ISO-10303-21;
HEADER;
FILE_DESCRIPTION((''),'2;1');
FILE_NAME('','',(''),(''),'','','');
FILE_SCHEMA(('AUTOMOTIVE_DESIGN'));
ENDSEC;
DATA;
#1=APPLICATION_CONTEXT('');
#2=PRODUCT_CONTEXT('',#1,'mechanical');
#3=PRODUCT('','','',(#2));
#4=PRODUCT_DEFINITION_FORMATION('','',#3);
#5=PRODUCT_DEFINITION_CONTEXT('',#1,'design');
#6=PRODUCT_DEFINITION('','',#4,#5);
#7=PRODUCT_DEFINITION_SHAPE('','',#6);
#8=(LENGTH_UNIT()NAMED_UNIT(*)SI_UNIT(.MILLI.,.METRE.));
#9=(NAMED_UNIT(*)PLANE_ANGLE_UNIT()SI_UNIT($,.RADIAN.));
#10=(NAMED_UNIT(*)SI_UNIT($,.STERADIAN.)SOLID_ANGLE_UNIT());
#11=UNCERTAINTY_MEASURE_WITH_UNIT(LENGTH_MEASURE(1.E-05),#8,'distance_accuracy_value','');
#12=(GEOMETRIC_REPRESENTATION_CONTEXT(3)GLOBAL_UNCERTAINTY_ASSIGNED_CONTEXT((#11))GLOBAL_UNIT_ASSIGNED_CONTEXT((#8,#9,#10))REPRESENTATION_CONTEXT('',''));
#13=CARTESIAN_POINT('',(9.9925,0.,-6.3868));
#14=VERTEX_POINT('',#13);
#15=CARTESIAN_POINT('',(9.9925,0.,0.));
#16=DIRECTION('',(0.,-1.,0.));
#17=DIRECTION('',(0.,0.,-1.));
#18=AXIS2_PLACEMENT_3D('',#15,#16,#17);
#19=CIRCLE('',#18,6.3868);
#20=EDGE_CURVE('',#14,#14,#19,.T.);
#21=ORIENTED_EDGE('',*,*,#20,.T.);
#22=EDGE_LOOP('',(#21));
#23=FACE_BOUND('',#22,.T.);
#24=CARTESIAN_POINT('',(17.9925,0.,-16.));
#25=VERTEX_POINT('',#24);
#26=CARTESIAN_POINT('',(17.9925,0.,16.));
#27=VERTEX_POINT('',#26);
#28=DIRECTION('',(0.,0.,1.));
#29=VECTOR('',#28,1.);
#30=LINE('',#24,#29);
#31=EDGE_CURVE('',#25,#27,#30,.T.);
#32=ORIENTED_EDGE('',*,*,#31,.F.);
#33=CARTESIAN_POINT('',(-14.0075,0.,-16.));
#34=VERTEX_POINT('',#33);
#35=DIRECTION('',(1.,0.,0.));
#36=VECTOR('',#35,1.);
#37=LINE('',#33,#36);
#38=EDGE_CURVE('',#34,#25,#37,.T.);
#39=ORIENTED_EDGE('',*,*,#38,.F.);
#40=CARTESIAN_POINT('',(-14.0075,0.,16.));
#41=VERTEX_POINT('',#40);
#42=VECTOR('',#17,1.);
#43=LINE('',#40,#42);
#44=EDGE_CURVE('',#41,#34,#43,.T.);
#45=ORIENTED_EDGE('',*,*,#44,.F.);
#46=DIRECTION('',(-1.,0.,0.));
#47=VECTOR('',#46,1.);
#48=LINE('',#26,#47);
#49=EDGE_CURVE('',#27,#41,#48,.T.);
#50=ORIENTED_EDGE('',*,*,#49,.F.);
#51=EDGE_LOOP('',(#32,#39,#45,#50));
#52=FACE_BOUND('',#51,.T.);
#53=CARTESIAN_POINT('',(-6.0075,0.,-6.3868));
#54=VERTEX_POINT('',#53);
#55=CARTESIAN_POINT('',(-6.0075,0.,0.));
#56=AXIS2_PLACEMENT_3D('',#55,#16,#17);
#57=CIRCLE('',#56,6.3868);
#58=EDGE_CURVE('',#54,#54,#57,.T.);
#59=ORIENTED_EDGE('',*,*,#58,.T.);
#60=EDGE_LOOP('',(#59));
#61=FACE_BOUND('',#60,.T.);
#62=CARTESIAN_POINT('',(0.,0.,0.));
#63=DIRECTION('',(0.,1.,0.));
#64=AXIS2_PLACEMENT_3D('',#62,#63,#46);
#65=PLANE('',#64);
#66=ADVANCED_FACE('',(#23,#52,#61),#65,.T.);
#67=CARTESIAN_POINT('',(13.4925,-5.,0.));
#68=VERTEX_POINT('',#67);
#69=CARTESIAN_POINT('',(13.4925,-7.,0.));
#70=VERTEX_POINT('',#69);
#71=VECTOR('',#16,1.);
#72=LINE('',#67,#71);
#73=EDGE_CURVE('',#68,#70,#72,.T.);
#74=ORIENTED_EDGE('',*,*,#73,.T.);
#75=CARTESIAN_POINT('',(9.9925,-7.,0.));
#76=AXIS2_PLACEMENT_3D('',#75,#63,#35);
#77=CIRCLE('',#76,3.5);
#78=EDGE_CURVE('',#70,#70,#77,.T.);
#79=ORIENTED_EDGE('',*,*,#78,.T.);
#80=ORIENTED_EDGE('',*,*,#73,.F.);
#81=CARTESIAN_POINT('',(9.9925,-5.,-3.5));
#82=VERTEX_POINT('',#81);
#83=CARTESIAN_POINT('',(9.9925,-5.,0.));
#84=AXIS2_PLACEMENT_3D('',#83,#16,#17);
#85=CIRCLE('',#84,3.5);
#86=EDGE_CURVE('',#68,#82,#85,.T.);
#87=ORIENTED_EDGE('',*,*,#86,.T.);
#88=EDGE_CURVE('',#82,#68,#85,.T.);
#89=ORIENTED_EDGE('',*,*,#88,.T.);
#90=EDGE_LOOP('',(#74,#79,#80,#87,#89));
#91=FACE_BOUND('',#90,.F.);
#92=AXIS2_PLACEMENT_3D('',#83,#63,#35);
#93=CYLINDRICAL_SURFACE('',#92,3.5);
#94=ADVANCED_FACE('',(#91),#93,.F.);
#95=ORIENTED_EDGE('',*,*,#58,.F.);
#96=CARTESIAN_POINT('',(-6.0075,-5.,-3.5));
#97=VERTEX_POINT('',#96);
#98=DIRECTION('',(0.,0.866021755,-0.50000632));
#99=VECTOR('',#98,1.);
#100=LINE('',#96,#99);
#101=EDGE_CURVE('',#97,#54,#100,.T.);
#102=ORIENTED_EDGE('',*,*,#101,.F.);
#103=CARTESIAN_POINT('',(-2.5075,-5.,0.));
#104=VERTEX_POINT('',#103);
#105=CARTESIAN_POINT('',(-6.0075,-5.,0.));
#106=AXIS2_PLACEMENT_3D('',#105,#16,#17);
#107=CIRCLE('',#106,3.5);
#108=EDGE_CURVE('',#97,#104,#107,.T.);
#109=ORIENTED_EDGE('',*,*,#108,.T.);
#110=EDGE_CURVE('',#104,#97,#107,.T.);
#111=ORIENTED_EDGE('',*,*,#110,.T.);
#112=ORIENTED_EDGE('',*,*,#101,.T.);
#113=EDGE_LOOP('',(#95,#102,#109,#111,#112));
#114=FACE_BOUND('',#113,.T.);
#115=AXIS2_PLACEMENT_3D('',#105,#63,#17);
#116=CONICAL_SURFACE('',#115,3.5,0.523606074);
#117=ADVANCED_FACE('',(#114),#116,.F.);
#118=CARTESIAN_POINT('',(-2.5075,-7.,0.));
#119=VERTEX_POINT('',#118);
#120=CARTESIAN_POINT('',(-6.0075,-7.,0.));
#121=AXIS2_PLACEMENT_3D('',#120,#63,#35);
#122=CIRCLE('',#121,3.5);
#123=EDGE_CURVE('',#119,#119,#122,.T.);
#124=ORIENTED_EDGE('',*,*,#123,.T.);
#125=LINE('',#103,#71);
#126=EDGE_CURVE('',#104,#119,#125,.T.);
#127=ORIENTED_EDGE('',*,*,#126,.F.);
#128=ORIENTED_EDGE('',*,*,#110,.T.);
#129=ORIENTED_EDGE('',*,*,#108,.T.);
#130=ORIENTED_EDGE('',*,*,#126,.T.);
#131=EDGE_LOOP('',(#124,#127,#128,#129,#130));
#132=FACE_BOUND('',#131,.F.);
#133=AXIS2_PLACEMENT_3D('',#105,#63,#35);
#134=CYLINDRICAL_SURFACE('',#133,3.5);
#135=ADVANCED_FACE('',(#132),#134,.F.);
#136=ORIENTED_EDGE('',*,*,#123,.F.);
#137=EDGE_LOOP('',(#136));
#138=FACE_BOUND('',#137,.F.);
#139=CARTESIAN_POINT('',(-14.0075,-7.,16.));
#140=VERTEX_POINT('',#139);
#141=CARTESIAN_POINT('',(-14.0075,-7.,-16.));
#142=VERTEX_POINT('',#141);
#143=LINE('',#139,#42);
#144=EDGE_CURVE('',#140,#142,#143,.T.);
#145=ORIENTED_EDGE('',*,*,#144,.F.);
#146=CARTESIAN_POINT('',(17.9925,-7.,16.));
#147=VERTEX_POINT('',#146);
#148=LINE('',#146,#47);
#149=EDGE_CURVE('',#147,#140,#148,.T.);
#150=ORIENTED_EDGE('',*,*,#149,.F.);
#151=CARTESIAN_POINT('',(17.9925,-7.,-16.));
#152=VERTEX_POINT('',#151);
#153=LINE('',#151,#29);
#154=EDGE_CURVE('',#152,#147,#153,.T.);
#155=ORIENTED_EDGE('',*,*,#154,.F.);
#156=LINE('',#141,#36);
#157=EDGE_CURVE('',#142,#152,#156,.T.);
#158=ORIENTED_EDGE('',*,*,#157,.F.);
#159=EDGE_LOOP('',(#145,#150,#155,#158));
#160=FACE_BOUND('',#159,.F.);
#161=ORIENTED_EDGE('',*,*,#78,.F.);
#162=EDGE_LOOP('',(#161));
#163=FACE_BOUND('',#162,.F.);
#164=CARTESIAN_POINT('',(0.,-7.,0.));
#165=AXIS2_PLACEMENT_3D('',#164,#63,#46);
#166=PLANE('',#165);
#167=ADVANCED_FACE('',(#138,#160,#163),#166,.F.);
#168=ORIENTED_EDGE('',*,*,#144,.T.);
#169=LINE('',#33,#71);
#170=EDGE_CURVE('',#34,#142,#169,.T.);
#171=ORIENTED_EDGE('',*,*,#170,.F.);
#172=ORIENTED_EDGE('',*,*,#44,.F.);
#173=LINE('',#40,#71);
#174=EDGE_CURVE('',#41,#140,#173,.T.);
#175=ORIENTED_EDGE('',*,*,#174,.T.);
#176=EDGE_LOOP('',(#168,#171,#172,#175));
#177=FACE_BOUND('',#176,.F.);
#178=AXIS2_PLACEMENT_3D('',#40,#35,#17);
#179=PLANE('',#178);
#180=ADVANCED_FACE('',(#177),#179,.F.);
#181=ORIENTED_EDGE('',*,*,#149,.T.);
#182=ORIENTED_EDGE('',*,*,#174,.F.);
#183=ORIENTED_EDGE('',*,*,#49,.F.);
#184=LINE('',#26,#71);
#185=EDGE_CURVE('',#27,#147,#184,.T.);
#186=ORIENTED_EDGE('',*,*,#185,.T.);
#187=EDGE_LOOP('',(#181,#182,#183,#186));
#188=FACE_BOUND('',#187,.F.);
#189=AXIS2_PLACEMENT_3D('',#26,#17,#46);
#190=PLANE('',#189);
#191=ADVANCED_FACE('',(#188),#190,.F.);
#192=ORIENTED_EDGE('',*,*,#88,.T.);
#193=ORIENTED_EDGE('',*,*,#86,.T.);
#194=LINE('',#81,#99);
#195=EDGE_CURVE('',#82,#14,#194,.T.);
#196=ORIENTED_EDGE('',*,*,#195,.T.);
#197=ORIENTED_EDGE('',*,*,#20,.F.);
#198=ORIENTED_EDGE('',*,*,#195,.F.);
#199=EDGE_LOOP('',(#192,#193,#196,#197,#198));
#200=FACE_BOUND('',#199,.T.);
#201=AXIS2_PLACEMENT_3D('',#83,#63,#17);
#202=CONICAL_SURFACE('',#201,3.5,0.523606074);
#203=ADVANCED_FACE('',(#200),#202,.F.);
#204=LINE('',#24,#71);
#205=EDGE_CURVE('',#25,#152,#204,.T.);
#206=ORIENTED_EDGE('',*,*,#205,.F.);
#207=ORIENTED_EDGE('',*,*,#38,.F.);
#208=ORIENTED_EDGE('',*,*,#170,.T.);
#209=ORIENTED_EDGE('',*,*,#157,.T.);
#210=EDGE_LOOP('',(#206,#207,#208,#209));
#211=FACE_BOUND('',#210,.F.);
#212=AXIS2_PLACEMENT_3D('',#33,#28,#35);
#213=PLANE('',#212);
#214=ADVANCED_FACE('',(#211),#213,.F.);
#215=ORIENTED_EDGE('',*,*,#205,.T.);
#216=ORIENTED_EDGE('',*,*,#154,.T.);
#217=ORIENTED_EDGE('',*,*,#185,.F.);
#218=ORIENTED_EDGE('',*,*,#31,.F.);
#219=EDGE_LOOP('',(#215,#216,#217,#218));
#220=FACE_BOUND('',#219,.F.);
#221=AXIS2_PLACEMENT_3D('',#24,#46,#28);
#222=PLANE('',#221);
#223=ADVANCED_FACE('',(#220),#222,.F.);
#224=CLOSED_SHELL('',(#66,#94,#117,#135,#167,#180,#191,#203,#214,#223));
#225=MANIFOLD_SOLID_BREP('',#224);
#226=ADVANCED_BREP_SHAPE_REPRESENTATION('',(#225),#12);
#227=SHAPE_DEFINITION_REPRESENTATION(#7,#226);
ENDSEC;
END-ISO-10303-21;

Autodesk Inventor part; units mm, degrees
ref_plane "YZ Plane" through (0, 0, 0) normal (1, 0, 0) x (0, 1, 0)
ref_plane "XZ Plane" through (0, 0, 0) normal (0, 1, 0) x (-1, 0, 0)
ref_plane "XY Plane" through (0, 0, 0) normal (0, 0, 1) x (1, 0, 0)
sketch "Sketch1" plane through (0, 0, 0) normal (0, 1, 0) x (-1, 0, 0)
  line L0 (14.0075, -16) -> (-17.9925, -16)
  line L1 (-17.9925, -16) -> (-17.9925, 16)
  line L2 (-17.9925, 16) -> (14.0075, 16)
  line L3 (14.0075, 16) -> (14.0075, -16)
  line L4 (17.4158, 0) -> (-35.0729, 0) construction
  point P0 (0, 0)
  dimension "d0" = 32
  dimension "d1" = 32
  dimension "d2" = 16
extrude "Extrusion1" add sketch "Sketch1" against normal blind 7
ref_plane "Work Plane1" through (9.9925, 0, 16) normal (1, 0, 0) x (0, 0, -1)
sketch "Sketch2" plane through (9.9925, 0, 16) normal (1, 0, 0) x (0, 0, -1)
  line L0 (16, 0) -> (16, -5)
  line L1 (32, 0) -> (0, 0) projected
  line L2 (19.5, 0) -> (16, 0)
  line L3 (16, -5) -> (19.5, -5)
  line L4 (19.5, 0) -> (16, 0)
  line L5 (19.5, -5) -> (22.3868, 0)
  line L6 (22.3868, 0) -> (16, 0)
  point P0 (19.4027, 0)
  dimension "d9" = 5
  dimension "d17" = 60
  dimension "d18" = 3.5
revolve "Revolution1" cut sketch "Sketch2" angle 360 about axis through (9.9925, 0, 0) along (0, -1, 0)
pattern_linear "Rectangular Pattern3" count 2 spacing 16 along (-1, 0, 0) of "Revolution1"
sketch "Sketch4" plane through (-6.0075, -5, 0) normal (0, 1, 0) x (1, 0, 0)
  circle A0 centre (0, 0) radius 3.5
  circle A1 centre (16, 0) radius 3.5
  point P0 (6.0075, 0)
  dimension "d31" = 7
  dimension "d32" = 7
  dimension "d35" = 16
extrude "Extrusion3" cut sketch "Sketch4" against normal blind 2
properties part number "Parte 6_16ME" material "Steel, Alloy"
